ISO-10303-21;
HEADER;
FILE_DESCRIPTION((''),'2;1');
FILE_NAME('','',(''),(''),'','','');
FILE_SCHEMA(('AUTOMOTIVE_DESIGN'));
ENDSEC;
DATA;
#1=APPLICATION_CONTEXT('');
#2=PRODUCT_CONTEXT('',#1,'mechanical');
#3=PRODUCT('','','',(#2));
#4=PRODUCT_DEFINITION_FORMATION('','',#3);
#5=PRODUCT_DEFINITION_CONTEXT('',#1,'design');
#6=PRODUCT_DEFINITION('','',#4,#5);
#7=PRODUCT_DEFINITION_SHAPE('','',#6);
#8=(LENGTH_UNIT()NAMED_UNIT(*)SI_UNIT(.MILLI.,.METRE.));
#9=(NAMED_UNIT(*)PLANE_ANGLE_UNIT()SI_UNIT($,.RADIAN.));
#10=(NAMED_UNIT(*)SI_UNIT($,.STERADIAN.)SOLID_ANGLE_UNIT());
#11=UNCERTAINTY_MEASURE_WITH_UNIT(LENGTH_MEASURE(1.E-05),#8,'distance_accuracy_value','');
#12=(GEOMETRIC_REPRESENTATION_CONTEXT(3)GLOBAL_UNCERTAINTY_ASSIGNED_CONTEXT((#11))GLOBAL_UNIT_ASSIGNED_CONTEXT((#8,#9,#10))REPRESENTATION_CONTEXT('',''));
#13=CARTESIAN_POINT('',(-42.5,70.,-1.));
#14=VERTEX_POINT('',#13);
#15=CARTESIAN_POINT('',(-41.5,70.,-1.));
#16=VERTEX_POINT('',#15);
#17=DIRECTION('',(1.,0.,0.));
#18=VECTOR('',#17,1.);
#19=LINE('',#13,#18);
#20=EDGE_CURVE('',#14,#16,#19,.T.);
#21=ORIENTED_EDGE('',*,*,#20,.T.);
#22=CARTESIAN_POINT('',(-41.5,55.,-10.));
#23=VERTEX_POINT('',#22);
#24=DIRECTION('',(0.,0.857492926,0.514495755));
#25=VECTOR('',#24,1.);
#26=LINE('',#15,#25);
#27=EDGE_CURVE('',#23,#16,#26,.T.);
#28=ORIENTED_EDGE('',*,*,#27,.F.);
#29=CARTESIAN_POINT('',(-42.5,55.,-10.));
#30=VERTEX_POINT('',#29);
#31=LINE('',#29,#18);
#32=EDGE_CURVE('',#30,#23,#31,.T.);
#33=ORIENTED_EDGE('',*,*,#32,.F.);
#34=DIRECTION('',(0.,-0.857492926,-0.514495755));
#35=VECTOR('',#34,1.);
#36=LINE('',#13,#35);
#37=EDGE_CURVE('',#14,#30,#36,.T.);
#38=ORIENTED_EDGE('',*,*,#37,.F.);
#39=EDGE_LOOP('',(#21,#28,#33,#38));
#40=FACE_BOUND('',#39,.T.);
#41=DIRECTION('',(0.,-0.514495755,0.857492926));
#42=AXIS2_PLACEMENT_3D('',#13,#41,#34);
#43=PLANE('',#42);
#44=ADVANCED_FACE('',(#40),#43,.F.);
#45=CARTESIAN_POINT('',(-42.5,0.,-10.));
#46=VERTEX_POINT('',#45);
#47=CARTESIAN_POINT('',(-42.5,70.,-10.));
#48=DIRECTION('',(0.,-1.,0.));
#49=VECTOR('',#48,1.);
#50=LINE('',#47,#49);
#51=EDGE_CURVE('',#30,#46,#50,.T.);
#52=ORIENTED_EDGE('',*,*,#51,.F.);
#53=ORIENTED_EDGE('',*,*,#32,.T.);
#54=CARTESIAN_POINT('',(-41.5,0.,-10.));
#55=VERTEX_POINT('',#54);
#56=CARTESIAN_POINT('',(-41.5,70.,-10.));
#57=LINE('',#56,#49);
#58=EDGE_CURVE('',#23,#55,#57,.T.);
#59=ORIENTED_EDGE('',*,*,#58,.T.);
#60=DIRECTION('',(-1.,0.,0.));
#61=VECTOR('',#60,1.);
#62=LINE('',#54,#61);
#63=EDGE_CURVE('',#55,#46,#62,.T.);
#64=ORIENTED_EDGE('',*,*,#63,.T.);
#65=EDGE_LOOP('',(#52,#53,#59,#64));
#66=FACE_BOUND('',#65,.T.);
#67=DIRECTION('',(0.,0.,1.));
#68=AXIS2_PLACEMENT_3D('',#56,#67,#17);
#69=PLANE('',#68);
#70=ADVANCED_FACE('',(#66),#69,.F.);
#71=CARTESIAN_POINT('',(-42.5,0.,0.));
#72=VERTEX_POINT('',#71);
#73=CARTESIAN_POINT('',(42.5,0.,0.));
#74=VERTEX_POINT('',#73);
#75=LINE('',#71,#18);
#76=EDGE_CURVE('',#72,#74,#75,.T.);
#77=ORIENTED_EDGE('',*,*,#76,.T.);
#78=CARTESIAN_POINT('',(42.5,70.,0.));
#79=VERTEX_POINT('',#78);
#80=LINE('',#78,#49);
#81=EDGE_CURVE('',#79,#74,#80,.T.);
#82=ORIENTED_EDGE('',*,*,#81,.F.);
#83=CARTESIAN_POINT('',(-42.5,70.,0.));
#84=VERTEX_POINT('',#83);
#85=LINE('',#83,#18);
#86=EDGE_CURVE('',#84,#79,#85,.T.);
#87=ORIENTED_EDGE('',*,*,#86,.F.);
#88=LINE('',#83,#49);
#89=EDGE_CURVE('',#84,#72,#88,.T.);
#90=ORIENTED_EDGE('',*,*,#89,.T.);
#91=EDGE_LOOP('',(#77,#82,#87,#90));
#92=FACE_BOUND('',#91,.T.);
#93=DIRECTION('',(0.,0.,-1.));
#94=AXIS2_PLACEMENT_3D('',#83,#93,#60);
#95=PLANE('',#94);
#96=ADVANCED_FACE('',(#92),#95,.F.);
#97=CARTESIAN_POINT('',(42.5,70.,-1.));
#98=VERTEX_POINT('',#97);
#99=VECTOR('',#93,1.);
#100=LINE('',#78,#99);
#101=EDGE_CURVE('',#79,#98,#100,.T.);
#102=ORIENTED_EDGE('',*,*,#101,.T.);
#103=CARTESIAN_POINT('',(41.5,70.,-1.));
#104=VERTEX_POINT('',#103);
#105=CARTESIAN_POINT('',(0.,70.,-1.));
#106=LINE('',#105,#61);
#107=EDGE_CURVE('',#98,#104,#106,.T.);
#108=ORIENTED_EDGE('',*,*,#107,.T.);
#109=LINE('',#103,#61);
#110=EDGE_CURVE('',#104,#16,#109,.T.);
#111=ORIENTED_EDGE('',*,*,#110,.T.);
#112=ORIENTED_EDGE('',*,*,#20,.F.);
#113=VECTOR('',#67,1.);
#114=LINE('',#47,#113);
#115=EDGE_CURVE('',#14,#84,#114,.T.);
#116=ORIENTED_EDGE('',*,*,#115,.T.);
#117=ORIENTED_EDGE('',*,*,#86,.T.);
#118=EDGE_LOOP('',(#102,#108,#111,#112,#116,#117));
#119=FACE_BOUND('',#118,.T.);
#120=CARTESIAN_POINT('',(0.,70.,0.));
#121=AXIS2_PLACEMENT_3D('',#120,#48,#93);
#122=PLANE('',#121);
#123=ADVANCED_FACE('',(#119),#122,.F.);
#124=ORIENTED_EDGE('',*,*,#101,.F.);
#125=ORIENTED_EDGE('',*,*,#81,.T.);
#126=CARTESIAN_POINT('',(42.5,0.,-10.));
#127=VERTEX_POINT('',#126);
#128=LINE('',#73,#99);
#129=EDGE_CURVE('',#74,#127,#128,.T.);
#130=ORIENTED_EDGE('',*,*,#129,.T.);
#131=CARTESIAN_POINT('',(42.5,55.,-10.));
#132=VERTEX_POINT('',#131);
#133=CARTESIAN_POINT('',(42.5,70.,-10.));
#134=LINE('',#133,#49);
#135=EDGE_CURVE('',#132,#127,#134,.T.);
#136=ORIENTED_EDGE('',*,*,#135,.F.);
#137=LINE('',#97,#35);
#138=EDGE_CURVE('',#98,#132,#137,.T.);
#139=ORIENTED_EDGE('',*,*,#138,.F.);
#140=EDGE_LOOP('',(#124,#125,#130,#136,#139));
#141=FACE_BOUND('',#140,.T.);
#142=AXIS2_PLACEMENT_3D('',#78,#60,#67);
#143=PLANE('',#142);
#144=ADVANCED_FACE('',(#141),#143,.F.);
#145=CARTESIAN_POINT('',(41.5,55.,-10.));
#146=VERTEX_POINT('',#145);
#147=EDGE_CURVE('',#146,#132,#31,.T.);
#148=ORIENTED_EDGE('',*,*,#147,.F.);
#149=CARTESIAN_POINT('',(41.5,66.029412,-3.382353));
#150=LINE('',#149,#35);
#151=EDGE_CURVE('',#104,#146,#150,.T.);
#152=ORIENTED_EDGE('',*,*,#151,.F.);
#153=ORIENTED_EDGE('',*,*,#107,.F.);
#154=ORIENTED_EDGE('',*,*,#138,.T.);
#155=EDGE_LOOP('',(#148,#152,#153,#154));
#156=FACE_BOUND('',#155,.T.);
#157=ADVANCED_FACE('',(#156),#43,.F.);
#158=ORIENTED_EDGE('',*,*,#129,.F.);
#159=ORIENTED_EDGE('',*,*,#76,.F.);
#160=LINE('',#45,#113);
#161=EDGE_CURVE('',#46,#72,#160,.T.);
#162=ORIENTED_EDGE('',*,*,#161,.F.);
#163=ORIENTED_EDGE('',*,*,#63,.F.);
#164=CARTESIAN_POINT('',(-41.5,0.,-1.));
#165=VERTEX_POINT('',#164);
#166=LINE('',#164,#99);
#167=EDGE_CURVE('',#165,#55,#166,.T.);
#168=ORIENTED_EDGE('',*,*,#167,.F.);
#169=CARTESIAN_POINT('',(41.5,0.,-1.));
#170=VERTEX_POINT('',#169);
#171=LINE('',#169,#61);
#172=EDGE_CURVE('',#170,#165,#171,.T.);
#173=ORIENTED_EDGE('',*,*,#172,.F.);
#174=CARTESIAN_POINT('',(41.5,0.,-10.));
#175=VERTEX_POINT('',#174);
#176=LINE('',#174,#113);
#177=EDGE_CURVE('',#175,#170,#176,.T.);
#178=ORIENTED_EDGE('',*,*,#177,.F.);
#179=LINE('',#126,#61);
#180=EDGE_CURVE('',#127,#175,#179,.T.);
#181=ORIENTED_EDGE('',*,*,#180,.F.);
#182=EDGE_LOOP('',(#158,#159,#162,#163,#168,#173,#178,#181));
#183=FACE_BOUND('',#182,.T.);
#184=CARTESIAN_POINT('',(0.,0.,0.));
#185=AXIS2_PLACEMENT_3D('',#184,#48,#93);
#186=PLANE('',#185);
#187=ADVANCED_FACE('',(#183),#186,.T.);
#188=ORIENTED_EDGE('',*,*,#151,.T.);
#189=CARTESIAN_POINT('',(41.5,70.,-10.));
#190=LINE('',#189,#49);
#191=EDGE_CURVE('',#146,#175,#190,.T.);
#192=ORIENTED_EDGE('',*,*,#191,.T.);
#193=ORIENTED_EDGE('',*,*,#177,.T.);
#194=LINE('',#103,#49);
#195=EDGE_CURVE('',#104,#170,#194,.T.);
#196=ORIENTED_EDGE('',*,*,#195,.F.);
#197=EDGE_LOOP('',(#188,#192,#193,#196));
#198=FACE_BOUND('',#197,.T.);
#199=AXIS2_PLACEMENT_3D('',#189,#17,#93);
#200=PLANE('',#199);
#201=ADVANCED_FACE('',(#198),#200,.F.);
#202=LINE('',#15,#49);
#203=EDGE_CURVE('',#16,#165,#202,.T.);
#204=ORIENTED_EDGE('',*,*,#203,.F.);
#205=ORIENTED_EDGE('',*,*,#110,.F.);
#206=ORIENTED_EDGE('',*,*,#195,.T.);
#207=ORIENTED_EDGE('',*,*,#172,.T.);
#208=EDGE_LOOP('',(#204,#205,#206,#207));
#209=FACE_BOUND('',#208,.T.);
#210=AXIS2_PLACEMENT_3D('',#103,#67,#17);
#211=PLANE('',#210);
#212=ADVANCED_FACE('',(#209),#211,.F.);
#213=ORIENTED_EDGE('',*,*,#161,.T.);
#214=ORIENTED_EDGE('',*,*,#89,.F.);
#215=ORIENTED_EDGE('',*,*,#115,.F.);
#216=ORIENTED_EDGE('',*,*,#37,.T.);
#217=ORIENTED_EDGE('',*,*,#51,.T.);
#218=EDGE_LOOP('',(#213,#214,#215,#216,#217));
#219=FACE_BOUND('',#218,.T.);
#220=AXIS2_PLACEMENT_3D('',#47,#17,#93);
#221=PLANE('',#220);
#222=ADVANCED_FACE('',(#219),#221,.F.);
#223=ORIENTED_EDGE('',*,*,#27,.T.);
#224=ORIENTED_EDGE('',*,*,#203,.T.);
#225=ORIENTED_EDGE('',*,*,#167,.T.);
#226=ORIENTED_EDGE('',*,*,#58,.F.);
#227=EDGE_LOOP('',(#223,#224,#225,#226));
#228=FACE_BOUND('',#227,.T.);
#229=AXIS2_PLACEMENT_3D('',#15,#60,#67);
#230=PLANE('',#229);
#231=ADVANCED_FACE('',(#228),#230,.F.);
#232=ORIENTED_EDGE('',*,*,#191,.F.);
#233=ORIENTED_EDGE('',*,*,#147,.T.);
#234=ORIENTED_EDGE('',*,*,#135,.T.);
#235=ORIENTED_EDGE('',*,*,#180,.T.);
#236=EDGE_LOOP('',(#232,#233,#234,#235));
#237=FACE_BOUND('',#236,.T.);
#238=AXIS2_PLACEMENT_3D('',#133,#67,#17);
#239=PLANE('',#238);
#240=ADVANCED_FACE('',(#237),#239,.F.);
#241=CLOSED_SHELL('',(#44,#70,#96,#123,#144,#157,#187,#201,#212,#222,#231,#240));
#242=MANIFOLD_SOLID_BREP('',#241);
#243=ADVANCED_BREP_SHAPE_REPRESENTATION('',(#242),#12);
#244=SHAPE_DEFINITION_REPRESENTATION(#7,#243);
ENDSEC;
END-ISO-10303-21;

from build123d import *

# Parameters (mm, degrees)
BOSS_EXTRUDE1_DEPTH     = 70
CUT_EXTRUDE2_DEPTH      = 83.5
CUT_EXTRUDE2_DEPTH_BACK = 83.5


with BuildPart() as part:
    # Sketch1 → Boss-Extrude1 (new body)
    with BuildSketch(Plane(origin=(0, 0, 0), x_dir=(1, 0, 0), z_dir=(0, 1, 0))):
        Polygon((-42.5, 0), (42.5, 0), (42.5, 10), (41.5, 10), (41.5, 1), (-41.5, 1), (-41.5, 10), (-42.5, 10), align=None)
    extrude(amount=BOSS_EXTRUDE1_DEPTH)

    # Sketch2 → Cut-Extrude2 (cut, two sides: drawn at the far end of the back side and taken through both)
    with BuildSketch(Plane(origin=(0, 0, 0), x_dir=(0, 0, -1), z_dir=(1, 0, 0)).offset(-CUT_EXTRUDE2_DEPTH_BACK)):
        Polygon((1, 70), (10, 55), (10, 70), align=None)
    extrude(amount=CUT_EXTRUDE2_DEPTH + CUT_EXTRUDE2_DEPTH_BACK, mode=Mode.SUBTRACT)


solid = part.part
